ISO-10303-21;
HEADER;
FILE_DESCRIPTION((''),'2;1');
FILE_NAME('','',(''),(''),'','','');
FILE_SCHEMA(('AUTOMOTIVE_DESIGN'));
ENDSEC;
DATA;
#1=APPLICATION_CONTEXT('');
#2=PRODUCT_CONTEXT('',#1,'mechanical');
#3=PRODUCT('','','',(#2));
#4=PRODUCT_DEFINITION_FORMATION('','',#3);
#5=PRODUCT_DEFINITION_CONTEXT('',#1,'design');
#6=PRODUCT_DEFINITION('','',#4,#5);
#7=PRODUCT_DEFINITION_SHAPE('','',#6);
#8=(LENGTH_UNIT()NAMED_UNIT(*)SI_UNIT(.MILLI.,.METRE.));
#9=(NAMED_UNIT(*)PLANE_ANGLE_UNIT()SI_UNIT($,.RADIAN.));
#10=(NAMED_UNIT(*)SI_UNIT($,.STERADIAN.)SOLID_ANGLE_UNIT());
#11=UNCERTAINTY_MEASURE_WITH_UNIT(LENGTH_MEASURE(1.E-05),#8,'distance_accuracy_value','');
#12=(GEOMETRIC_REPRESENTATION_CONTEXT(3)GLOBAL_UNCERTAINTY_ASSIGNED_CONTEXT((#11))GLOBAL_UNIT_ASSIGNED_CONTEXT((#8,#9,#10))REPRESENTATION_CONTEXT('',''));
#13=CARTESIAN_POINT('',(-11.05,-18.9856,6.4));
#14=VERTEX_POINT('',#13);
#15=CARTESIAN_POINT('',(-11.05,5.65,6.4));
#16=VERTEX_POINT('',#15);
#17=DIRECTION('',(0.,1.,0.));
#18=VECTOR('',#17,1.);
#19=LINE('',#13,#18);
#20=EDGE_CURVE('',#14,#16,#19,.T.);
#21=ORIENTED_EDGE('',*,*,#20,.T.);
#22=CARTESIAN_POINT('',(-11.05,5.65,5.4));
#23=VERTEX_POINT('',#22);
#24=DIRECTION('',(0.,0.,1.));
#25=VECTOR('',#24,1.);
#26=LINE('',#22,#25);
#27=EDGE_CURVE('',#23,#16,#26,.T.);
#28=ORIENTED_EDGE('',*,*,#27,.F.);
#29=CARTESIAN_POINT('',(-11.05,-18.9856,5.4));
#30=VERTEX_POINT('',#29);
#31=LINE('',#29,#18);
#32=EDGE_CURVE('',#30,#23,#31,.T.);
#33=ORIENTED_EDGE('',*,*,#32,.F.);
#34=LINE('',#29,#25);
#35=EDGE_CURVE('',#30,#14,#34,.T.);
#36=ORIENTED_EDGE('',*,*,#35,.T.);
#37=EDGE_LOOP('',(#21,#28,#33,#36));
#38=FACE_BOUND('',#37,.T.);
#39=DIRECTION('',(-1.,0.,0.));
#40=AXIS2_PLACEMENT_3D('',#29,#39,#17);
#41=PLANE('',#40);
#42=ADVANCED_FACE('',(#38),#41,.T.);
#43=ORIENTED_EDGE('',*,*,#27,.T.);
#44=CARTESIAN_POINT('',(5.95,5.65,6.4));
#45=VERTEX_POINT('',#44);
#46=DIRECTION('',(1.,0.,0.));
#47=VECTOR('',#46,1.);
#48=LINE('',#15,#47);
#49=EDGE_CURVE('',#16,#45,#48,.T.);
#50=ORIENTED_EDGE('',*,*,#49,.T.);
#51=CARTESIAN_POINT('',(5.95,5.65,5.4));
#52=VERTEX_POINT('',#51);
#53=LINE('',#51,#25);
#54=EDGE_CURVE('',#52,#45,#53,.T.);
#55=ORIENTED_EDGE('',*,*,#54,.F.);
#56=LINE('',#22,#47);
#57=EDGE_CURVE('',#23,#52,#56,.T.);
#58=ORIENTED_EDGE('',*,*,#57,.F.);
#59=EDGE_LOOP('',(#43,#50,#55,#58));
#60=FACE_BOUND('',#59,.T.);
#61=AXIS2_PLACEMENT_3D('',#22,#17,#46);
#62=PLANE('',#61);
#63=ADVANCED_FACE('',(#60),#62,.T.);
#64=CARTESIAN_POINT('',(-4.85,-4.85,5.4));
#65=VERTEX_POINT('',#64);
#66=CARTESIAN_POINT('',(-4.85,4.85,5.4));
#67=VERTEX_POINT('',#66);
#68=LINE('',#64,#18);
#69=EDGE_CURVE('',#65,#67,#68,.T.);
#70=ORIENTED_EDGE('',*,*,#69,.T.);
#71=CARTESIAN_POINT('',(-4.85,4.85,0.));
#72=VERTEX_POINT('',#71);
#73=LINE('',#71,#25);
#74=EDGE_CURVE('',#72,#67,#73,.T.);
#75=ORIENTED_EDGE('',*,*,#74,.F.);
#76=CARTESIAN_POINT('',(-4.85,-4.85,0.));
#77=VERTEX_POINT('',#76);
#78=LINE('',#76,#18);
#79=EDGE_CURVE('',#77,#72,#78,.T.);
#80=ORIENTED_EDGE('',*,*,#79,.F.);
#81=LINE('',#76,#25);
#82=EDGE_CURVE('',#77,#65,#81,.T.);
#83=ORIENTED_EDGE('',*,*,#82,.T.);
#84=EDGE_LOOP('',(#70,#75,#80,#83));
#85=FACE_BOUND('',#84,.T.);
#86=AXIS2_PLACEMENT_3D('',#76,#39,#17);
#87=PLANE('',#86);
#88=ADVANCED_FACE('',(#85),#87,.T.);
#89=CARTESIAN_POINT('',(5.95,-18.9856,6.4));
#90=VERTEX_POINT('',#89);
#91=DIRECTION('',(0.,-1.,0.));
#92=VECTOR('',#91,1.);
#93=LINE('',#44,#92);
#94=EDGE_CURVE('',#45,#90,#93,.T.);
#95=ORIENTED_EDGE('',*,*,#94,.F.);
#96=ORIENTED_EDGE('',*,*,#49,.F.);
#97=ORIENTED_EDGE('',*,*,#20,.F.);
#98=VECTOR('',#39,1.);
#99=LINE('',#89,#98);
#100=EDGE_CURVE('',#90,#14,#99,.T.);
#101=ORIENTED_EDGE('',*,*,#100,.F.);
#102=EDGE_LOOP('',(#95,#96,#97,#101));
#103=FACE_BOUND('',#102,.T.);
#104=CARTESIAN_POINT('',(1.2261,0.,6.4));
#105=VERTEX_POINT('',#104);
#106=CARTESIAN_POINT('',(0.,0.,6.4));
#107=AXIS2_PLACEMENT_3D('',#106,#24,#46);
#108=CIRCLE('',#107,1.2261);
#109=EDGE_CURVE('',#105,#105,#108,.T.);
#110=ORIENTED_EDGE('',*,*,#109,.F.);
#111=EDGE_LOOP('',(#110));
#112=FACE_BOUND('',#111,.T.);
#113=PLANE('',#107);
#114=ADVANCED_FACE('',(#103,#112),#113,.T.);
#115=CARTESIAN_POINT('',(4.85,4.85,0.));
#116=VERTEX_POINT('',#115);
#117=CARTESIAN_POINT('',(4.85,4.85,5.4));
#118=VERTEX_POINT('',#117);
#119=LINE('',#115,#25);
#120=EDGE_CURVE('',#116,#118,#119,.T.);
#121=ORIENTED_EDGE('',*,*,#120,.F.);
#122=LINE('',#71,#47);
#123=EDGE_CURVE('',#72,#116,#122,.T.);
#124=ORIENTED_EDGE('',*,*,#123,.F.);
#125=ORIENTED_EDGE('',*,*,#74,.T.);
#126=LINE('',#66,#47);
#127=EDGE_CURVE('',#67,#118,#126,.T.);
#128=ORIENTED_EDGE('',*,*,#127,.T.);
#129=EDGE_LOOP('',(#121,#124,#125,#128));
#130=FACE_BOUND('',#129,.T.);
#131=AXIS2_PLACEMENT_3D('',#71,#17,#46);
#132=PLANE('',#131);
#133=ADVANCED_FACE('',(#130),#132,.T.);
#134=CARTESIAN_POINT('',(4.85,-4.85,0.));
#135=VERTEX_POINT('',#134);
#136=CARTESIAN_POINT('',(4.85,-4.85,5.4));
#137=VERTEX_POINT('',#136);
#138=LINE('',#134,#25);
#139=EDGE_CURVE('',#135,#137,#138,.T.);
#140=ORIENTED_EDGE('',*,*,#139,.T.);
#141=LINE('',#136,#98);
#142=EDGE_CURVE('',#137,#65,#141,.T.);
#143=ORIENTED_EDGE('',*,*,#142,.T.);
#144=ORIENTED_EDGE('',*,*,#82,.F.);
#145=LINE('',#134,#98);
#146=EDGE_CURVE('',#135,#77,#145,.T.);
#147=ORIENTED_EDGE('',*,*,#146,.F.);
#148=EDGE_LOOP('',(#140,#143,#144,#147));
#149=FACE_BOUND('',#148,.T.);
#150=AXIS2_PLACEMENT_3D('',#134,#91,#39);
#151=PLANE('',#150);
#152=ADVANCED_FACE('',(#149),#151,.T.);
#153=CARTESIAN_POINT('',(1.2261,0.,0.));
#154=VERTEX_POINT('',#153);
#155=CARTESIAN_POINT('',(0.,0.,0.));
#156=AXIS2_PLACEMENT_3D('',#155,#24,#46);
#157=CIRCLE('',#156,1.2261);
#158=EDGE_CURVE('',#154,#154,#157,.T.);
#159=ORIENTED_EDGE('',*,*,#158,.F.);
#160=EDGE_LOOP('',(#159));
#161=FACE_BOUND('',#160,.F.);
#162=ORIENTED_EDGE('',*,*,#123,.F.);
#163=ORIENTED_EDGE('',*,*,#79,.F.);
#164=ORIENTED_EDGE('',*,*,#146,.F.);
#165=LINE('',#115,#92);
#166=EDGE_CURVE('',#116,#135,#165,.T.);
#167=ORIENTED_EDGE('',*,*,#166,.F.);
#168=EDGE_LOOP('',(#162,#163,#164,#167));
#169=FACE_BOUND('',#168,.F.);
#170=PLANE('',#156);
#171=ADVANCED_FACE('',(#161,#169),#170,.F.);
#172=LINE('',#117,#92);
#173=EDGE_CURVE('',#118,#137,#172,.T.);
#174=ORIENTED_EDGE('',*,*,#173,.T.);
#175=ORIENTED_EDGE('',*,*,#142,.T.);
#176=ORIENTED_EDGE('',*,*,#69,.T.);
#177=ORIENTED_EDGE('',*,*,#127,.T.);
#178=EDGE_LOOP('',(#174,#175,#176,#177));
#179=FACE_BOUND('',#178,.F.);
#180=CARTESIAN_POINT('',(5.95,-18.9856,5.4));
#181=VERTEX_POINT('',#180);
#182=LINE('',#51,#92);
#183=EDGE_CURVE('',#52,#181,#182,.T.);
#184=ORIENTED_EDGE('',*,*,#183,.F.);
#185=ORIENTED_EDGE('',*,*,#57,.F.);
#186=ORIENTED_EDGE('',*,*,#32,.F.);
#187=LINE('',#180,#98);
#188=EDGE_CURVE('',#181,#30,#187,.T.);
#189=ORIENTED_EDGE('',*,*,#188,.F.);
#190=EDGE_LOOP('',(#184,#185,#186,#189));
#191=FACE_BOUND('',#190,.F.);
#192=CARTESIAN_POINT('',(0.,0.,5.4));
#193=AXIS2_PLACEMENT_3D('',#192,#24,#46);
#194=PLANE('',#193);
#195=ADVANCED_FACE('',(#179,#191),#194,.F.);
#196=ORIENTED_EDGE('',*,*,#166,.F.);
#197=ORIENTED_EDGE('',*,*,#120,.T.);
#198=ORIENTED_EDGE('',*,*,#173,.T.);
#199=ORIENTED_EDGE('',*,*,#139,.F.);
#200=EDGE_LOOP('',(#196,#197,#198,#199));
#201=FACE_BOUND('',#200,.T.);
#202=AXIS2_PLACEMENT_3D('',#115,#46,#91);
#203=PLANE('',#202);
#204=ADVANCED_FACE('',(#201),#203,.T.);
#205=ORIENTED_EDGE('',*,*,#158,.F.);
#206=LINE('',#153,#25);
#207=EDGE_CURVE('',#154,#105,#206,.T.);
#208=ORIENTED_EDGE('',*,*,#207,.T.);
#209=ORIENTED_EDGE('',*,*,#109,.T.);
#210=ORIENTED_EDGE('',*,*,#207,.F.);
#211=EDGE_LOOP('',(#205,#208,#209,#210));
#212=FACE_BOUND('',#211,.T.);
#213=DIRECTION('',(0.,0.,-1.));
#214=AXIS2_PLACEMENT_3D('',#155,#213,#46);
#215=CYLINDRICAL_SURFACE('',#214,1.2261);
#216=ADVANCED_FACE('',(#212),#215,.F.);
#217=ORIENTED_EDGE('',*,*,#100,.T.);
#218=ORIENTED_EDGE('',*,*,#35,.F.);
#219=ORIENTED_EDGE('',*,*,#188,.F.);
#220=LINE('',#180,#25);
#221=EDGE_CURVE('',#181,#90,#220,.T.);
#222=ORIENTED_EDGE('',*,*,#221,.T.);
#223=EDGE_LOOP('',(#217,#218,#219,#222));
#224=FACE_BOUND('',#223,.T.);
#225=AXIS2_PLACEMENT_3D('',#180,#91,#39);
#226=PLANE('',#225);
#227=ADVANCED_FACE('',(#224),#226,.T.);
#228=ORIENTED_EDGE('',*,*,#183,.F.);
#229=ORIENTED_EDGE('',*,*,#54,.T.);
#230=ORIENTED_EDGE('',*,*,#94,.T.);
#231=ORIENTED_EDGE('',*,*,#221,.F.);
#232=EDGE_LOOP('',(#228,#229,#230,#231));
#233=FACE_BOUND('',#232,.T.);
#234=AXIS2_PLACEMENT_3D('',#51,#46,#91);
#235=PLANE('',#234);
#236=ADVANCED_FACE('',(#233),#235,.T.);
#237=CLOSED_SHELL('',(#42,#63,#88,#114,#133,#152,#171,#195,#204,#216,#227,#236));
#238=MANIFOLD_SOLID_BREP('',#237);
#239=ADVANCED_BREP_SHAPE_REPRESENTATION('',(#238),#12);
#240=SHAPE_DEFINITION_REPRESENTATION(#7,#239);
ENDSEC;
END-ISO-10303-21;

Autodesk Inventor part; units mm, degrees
ref_plane "YZ Plane" through (0, 0, 0) normal (1, 0, 0) x (0, 1, 0)
ref_plane "XZ Plane" through (0, 0, 0) normal (0, 1, 0) x (-1, 0, 0)
ref_plane "XY Plane" through (0, 0, 0) normal (0, 0, 1) x (1, 0, 0)
sketch "Skizze1" plane through (0, 0, 0) normal (0, 0, 1) x (1, 0, 0)
  line L0 (-4.85, 4.85) -> (4.85, 4.85)
  line L1 (4.85, 4.85) -> (4.85, -4.85)
  line L2 (4.85, -4.85) -> (-4.85, -4.85)
  line L3 (-4.85, -4.85) -> (-4.85, 4.85)
  line L4 (-4.85, 4.85) -> (4.85, -4.85) construction
  line L5 (4.85, 4.85) -> (-4.85, -4.85) construction
  circle A0 centre (0, 0) radius 1.2261
  dimension "d0" = 9.7
  dimension "d1" = 9.7
extrude "Extrusion1" add sketch "Skizze1" along normal blind 5.4
sketch "Sketch2" plane through (0, 0, 5.4) normal (0, 0, 1) x (1, 0, 0)
  circle A0 centre (0, 0) radius 1.2261 projected
  line L0 (4.85, 4.85) -> (-4.85, 4.85) projected
  line L1 (-4.85, 4.85) -> (-4.85, -4.85) projected
  line L2 (-4.85, -4.85) -> (4.85, -4.85) projected
  line L3 (4.85, -4.85) -> (4.85, 4.85) projected
  line L4 (-11.05, 5.65) -> (5.95, 5.65)
  line L5 (5.95, 5.65) -> (5.95, -18.9856)
  line L6 (5.95, -18.9856) -> (-11.05, -18.9856)
  line L7 (-11.05, -18.9856) -> (-11.05, 5.65)
  dimension "d4" = 10.8
  dimension "d5" = 15.9
  dimension "d6" = 10.5
extrude "Extrusion2" add sketch "Sketch2" along normal blind 1 contours L3 L2 L1 L0 | L4 L5 L6 L7
properties part number "LG_G2_Lens"
